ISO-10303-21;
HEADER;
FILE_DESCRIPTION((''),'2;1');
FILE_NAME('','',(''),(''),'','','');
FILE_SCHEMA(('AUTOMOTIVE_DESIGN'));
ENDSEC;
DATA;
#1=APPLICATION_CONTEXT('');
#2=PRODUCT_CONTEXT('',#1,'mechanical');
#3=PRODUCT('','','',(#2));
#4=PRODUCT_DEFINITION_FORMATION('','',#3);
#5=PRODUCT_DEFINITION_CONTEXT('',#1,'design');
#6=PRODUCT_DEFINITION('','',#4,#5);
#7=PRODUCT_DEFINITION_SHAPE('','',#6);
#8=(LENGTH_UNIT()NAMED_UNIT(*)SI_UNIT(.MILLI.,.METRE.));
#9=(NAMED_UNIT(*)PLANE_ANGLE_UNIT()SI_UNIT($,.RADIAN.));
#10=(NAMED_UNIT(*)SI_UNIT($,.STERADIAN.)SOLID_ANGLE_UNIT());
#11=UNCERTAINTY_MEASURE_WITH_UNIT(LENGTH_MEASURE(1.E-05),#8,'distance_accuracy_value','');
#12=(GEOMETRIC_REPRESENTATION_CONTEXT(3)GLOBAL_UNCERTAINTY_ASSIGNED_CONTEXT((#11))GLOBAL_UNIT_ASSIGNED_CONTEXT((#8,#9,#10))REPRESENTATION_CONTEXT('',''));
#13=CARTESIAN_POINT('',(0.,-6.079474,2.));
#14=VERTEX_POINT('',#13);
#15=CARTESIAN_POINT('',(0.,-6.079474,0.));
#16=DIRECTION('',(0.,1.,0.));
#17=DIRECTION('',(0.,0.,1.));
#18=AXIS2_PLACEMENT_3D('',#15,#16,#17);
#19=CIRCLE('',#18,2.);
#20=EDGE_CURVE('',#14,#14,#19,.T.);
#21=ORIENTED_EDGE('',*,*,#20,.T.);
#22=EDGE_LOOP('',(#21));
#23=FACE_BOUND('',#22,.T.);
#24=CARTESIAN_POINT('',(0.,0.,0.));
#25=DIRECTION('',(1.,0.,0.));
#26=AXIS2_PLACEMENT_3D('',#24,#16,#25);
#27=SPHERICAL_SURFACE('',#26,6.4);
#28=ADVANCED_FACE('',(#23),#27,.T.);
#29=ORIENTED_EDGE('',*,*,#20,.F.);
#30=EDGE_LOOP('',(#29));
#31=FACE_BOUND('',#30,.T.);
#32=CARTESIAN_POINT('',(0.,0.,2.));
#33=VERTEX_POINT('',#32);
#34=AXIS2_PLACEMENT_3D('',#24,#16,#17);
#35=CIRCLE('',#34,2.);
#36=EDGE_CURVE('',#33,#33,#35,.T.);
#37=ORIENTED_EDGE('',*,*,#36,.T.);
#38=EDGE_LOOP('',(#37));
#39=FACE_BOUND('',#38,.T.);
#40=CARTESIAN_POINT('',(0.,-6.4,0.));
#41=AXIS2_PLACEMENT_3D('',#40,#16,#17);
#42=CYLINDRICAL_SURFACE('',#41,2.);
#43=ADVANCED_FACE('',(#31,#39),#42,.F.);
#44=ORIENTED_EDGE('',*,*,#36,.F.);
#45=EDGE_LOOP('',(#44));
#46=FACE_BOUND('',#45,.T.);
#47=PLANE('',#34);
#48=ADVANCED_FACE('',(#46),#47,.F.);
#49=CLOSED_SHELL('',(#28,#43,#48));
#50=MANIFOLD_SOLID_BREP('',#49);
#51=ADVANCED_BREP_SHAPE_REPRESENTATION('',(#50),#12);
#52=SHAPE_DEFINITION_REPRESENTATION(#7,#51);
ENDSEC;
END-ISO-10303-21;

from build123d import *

# Parameters (mm, degrees)
SKETCH2_R          = 2
CUT_EXTRUDE1_DEPTH = 12.085125168


with BuildPart() as part:
    # Sketch1 → Revolve1 (revolve)
    with BuildSketch(Plane.XY):
        with BuildLine():
            Line((0, 6.4), (0, -6.4))
            ThreePointArc((0, -6.4), (6.4, 0), (0, 6.4))
        make_face()
    revolve(axis=Axis((0, 6.4, 0), (0, -1, 0)))

    # Sketch2 → Cut-Extrude1 (cut, through all)
    with BuildSketch(Plane(origin=(0, 0, 0), x_dir=(1, 0, 0), z_dir=(0, 1, 0))):
        with Locations(Location((0, 0, 0), (0, 0, 270))):
            Circle(SKETCH2_R)
    extrude(amount=-CUT_EXTRUDE1_DEPTH, mode=Mode.SUBTRACT)


solid = part.part
